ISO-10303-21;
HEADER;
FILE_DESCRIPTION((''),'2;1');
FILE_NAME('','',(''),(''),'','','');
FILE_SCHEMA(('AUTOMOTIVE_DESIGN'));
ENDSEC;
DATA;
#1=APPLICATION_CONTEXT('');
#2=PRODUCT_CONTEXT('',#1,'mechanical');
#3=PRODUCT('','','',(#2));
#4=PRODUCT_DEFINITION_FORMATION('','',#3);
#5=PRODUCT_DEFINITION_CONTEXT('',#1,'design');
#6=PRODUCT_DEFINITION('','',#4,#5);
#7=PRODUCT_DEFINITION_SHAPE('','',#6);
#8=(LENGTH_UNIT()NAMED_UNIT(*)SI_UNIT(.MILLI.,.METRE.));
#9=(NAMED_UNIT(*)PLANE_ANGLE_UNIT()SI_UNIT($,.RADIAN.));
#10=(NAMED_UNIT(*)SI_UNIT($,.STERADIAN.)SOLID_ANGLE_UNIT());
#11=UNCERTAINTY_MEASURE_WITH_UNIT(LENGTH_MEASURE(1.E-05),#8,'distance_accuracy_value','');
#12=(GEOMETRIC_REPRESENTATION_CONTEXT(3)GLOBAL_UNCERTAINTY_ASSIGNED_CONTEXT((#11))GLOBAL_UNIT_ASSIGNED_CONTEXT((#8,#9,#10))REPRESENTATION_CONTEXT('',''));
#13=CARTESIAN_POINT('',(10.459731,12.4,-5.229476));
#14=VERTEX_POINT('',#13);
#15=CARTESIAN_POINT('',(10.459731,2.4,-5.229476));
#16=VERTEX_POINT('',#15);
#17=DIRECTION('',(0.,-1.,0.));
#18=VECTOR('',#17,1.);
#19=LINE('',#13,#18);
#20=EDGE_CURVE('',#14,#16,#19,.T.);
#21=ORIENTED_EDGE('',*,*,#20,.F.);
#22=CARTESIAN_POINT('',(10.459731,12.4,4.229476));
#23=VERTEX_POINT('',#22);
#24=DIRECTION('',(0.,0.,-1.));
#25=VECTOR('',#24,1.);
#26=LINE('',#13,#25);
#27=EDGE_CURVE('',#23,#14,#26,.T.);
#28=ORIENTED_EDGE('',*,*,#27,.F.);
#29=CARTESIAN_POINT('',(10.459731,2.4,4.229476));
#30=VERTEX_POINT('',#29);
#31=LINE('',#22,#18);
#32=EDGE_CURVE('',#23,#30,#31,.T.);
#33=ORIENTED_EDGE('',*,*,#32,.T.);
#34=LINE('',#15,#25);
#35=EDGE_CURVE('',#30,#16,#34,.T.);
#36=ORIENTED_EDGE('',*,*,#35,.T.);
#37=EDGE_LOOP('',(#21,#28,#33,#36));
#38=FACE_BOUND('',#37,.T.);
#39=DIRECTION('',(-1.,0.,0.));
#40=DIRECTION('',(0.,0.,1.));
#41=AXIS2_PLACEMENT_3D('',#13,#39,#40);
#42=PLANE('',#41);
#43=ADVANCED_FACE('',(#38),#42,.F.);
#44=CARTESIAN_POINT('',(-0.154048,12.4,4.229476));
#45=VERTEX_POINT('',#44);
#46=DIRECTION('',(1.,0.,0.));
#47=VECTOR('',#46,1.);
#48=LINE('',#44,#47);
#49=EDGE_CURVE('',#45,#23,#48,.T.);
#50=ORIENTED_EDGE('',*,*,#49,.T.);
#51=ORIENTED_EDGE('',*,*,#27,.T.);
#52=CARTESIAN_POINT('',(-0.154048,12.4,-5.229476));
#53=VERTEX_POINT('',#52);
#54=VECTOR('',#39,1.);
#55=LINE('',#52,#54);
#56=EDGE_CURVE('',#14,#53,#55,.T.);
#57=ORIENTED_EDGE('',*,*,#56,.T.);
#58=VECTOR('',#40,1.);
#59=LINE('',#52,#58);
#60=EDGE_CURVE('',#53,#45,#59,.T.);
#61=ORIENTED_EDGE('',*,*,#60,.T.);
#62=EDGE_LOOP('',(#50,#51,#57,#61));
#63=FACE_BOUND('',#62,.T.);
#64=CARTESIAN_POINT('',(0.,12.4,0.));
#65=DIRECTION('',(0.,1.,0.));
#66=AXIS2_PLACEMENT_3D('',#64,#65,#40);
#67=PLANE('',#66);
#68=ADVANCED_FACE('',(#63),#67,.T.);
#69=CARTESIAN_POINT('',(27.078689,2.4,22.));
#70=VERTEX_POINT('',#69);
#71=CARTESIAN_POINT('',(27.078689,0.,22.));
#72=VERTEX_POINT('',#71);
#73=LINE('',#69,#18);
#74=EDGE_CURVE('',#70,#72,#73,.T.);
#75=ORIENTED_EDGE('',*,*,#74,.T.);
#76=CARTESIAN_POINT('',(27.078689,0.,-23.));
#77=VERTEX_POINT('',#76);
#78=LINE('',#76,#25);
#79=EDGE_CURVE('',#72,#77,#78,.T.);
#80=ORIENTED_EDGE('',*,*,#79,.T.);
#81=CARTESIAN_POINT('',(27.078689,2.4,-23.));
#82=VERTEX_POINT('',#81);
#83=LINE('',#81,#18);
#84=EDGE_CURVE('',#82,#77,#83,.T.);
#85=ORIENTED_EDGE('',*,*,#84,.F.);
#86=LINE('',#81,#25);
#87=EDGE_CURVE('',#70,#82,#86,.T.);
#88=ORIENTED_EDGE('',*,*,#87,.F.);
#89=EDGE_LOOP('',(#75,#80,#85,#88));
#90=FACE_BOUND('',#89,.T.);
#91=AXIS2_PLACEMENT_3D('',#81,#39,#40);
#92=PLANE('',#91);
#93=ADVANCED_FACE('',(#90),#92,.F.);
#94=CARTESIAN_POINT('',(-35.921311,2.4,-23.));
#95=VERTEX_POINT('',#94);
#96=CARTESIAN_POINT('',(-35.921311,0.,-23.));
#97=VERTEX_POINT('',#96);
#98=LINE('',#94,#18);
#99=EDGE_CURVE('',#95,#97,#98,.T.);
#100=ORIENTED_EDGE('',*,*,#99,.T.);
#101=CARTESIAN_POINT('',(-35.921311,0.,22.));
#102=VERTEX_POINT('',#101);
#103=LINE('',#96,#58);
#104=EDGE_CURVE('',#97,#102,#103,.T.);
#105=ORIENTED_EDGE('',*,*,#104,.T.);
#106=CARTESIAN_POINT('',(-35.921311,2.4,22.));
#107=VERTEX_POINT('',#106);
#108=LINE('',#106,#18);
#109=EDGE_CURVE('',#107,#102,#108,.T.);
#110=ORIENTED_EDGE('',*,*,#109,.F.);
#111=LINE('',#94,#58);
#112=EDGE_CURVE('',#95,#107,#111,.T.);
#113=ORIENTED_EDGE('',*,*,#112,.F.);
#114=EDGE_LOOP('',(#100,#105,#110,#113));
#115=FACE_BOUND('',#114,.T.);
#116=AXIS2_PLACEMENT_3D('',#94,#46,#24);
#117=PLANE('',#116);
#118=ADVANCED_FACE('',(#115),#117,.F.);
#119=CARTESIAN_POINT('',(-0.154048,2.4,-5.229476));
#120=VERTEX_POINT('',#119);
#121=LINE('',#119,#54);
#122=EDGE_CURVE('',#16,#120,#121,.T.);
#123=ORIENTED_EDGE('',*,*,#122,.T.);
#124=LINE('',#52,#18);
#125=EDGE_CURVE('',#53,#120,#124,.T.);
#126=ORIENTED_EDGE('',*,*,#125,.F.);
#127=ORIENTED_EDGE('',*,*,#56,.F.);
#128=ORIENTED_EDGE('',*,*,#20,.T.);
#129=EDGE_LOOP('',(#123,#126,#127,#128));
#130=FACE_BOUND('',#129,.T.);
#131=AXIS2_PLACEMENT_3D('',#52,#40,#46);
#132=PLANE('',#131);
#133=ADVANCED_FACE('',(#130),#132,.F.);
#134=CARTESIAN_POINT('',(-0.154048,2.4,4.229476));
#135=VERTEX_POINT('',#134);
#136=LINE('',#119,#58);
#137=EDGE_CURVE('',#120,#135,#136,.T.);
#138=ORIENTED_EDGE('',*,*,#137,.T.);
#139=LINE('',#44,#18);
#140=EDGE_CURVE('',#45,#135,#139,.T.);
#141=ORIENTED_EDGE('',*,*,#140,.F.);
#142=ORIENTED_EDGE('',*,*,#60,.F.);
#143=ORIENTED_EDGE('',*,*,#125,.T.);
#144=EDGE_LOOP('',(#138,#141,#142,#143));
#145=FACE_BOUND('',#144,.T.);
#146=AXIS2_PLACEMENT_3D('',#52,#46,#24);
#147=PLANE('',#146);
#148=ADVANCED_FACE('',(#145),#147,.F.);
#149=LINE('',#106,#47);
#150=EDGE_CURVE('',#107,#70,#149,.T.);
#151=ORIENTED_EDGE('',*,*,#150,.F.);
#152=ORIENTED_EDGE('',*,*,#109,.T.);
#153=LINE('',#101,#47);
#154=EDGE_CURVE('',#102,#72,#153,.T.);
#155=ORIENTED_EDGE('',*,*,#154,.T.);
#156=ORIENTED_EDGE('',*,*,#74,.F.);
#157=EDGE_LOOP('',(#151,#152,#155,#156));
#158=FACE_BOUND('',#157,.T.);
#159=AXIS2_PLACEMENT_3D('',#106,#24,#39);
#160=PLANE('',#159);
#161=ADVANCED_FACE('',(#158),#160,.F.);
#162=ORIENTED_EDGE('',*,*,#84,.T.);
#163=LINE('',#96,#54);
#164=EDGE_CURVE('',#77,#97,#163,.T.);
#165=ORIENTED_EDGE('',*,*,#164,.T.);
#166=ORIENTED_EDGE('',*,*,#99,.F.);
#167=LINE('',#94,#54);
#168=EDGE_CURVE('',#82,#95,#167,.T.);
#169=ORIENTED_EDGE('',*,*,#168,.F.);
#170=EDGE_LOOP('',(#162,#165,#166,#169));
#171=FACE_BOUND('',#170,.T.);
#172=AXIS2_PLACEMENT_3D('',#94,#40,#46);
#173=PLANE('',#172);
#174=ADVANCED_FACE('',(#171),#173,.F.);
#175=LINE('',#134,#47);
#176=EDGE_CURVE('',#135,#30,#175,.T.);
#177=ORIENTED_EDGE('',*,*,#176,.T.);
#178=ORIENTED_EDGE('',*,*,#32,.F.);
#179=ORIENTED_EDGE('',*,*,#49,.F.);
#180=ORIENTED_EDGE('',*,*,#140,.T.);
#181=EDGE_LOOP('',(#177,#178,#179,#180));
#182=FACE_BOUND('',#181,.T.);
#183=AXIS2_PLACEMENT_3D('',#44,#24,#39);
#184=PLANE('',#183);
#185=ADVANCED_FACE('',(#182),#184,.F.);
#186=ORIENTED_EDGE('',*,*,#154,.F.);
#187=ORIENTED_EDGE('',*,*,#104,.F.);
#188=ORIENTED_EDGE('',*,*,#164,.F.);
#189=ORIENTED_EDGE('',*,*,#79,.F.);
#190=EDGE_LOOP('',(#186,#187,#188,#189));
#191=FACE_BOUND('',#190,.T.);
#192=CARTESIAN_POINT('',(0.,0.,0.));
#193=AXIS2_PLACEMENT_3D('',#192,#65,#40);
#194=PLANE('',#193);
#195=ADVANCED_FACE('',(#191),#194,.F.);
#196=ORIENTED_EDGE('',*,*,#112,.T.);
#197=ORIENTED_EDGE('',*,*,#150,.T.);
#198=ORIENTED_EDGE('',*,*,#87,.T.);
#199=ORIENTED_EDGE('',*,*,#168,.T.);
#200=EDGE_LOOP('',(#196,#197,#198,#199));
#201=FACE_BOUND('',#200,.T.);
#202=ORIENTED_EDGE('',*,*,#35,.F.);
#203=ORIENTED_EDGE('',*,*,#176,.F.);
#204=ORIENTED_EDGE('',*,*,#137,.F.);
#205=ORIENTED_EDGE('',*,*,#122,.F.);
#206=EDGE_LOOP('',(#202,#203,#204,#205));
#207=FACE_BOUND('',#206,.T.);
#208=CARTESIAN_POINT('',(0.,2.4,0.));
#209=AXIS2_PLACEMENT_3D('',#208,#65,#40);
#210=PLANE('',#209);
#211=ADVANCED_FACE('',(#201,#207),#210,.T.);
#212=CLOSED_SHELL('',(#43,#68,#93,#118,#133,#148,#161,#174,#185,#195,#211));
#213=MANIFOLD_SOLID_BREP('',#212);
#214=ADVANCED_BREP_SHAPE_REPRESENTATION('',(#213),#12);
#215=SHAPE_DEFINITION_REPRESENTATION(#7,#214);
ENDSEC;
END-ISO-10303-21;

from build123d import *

# Parameters (mm, degrees)
SKETCH1_W           = 63
SKETCH1_H           = 45
BOSS_EXTRUDE1_DEPTH = 2.4
SKETCH3_W           = 10.613779313
SKETCH3_H           = 9.458952204
BOSS_EXTRUDE2_DEPTH = 10


with BuildPart() as part:
    # Sketch1 → Boss-Extrude1 (new body)
    with BuildSketch(Plane(origin=(0, 0, 0), x_dir=(1, 0, 0), z_dir=(0, 1, 0))):
        with Locations((-4.421311475, 0.5)):
            Rectangle(SKETCH1_W, SKETCH1_H)
    extrude(amount=BOSS_EXTRUDE1_DEPTH)

    # Sketch3 → Boss-Extrude2 (add)
    with BuildSketch(Plane(origin=(0, 2.4, 0), x_dir=(1, 0, 0), z_dir=(0, 1, 0))):
        with Locations((5.152841445, 0.5)):
            Rectangle(SKETCH3_W, SKETCH3_H)
    extrude(amount=BOSS_EXTRUDE2_DEPTH)


solid = part.part
